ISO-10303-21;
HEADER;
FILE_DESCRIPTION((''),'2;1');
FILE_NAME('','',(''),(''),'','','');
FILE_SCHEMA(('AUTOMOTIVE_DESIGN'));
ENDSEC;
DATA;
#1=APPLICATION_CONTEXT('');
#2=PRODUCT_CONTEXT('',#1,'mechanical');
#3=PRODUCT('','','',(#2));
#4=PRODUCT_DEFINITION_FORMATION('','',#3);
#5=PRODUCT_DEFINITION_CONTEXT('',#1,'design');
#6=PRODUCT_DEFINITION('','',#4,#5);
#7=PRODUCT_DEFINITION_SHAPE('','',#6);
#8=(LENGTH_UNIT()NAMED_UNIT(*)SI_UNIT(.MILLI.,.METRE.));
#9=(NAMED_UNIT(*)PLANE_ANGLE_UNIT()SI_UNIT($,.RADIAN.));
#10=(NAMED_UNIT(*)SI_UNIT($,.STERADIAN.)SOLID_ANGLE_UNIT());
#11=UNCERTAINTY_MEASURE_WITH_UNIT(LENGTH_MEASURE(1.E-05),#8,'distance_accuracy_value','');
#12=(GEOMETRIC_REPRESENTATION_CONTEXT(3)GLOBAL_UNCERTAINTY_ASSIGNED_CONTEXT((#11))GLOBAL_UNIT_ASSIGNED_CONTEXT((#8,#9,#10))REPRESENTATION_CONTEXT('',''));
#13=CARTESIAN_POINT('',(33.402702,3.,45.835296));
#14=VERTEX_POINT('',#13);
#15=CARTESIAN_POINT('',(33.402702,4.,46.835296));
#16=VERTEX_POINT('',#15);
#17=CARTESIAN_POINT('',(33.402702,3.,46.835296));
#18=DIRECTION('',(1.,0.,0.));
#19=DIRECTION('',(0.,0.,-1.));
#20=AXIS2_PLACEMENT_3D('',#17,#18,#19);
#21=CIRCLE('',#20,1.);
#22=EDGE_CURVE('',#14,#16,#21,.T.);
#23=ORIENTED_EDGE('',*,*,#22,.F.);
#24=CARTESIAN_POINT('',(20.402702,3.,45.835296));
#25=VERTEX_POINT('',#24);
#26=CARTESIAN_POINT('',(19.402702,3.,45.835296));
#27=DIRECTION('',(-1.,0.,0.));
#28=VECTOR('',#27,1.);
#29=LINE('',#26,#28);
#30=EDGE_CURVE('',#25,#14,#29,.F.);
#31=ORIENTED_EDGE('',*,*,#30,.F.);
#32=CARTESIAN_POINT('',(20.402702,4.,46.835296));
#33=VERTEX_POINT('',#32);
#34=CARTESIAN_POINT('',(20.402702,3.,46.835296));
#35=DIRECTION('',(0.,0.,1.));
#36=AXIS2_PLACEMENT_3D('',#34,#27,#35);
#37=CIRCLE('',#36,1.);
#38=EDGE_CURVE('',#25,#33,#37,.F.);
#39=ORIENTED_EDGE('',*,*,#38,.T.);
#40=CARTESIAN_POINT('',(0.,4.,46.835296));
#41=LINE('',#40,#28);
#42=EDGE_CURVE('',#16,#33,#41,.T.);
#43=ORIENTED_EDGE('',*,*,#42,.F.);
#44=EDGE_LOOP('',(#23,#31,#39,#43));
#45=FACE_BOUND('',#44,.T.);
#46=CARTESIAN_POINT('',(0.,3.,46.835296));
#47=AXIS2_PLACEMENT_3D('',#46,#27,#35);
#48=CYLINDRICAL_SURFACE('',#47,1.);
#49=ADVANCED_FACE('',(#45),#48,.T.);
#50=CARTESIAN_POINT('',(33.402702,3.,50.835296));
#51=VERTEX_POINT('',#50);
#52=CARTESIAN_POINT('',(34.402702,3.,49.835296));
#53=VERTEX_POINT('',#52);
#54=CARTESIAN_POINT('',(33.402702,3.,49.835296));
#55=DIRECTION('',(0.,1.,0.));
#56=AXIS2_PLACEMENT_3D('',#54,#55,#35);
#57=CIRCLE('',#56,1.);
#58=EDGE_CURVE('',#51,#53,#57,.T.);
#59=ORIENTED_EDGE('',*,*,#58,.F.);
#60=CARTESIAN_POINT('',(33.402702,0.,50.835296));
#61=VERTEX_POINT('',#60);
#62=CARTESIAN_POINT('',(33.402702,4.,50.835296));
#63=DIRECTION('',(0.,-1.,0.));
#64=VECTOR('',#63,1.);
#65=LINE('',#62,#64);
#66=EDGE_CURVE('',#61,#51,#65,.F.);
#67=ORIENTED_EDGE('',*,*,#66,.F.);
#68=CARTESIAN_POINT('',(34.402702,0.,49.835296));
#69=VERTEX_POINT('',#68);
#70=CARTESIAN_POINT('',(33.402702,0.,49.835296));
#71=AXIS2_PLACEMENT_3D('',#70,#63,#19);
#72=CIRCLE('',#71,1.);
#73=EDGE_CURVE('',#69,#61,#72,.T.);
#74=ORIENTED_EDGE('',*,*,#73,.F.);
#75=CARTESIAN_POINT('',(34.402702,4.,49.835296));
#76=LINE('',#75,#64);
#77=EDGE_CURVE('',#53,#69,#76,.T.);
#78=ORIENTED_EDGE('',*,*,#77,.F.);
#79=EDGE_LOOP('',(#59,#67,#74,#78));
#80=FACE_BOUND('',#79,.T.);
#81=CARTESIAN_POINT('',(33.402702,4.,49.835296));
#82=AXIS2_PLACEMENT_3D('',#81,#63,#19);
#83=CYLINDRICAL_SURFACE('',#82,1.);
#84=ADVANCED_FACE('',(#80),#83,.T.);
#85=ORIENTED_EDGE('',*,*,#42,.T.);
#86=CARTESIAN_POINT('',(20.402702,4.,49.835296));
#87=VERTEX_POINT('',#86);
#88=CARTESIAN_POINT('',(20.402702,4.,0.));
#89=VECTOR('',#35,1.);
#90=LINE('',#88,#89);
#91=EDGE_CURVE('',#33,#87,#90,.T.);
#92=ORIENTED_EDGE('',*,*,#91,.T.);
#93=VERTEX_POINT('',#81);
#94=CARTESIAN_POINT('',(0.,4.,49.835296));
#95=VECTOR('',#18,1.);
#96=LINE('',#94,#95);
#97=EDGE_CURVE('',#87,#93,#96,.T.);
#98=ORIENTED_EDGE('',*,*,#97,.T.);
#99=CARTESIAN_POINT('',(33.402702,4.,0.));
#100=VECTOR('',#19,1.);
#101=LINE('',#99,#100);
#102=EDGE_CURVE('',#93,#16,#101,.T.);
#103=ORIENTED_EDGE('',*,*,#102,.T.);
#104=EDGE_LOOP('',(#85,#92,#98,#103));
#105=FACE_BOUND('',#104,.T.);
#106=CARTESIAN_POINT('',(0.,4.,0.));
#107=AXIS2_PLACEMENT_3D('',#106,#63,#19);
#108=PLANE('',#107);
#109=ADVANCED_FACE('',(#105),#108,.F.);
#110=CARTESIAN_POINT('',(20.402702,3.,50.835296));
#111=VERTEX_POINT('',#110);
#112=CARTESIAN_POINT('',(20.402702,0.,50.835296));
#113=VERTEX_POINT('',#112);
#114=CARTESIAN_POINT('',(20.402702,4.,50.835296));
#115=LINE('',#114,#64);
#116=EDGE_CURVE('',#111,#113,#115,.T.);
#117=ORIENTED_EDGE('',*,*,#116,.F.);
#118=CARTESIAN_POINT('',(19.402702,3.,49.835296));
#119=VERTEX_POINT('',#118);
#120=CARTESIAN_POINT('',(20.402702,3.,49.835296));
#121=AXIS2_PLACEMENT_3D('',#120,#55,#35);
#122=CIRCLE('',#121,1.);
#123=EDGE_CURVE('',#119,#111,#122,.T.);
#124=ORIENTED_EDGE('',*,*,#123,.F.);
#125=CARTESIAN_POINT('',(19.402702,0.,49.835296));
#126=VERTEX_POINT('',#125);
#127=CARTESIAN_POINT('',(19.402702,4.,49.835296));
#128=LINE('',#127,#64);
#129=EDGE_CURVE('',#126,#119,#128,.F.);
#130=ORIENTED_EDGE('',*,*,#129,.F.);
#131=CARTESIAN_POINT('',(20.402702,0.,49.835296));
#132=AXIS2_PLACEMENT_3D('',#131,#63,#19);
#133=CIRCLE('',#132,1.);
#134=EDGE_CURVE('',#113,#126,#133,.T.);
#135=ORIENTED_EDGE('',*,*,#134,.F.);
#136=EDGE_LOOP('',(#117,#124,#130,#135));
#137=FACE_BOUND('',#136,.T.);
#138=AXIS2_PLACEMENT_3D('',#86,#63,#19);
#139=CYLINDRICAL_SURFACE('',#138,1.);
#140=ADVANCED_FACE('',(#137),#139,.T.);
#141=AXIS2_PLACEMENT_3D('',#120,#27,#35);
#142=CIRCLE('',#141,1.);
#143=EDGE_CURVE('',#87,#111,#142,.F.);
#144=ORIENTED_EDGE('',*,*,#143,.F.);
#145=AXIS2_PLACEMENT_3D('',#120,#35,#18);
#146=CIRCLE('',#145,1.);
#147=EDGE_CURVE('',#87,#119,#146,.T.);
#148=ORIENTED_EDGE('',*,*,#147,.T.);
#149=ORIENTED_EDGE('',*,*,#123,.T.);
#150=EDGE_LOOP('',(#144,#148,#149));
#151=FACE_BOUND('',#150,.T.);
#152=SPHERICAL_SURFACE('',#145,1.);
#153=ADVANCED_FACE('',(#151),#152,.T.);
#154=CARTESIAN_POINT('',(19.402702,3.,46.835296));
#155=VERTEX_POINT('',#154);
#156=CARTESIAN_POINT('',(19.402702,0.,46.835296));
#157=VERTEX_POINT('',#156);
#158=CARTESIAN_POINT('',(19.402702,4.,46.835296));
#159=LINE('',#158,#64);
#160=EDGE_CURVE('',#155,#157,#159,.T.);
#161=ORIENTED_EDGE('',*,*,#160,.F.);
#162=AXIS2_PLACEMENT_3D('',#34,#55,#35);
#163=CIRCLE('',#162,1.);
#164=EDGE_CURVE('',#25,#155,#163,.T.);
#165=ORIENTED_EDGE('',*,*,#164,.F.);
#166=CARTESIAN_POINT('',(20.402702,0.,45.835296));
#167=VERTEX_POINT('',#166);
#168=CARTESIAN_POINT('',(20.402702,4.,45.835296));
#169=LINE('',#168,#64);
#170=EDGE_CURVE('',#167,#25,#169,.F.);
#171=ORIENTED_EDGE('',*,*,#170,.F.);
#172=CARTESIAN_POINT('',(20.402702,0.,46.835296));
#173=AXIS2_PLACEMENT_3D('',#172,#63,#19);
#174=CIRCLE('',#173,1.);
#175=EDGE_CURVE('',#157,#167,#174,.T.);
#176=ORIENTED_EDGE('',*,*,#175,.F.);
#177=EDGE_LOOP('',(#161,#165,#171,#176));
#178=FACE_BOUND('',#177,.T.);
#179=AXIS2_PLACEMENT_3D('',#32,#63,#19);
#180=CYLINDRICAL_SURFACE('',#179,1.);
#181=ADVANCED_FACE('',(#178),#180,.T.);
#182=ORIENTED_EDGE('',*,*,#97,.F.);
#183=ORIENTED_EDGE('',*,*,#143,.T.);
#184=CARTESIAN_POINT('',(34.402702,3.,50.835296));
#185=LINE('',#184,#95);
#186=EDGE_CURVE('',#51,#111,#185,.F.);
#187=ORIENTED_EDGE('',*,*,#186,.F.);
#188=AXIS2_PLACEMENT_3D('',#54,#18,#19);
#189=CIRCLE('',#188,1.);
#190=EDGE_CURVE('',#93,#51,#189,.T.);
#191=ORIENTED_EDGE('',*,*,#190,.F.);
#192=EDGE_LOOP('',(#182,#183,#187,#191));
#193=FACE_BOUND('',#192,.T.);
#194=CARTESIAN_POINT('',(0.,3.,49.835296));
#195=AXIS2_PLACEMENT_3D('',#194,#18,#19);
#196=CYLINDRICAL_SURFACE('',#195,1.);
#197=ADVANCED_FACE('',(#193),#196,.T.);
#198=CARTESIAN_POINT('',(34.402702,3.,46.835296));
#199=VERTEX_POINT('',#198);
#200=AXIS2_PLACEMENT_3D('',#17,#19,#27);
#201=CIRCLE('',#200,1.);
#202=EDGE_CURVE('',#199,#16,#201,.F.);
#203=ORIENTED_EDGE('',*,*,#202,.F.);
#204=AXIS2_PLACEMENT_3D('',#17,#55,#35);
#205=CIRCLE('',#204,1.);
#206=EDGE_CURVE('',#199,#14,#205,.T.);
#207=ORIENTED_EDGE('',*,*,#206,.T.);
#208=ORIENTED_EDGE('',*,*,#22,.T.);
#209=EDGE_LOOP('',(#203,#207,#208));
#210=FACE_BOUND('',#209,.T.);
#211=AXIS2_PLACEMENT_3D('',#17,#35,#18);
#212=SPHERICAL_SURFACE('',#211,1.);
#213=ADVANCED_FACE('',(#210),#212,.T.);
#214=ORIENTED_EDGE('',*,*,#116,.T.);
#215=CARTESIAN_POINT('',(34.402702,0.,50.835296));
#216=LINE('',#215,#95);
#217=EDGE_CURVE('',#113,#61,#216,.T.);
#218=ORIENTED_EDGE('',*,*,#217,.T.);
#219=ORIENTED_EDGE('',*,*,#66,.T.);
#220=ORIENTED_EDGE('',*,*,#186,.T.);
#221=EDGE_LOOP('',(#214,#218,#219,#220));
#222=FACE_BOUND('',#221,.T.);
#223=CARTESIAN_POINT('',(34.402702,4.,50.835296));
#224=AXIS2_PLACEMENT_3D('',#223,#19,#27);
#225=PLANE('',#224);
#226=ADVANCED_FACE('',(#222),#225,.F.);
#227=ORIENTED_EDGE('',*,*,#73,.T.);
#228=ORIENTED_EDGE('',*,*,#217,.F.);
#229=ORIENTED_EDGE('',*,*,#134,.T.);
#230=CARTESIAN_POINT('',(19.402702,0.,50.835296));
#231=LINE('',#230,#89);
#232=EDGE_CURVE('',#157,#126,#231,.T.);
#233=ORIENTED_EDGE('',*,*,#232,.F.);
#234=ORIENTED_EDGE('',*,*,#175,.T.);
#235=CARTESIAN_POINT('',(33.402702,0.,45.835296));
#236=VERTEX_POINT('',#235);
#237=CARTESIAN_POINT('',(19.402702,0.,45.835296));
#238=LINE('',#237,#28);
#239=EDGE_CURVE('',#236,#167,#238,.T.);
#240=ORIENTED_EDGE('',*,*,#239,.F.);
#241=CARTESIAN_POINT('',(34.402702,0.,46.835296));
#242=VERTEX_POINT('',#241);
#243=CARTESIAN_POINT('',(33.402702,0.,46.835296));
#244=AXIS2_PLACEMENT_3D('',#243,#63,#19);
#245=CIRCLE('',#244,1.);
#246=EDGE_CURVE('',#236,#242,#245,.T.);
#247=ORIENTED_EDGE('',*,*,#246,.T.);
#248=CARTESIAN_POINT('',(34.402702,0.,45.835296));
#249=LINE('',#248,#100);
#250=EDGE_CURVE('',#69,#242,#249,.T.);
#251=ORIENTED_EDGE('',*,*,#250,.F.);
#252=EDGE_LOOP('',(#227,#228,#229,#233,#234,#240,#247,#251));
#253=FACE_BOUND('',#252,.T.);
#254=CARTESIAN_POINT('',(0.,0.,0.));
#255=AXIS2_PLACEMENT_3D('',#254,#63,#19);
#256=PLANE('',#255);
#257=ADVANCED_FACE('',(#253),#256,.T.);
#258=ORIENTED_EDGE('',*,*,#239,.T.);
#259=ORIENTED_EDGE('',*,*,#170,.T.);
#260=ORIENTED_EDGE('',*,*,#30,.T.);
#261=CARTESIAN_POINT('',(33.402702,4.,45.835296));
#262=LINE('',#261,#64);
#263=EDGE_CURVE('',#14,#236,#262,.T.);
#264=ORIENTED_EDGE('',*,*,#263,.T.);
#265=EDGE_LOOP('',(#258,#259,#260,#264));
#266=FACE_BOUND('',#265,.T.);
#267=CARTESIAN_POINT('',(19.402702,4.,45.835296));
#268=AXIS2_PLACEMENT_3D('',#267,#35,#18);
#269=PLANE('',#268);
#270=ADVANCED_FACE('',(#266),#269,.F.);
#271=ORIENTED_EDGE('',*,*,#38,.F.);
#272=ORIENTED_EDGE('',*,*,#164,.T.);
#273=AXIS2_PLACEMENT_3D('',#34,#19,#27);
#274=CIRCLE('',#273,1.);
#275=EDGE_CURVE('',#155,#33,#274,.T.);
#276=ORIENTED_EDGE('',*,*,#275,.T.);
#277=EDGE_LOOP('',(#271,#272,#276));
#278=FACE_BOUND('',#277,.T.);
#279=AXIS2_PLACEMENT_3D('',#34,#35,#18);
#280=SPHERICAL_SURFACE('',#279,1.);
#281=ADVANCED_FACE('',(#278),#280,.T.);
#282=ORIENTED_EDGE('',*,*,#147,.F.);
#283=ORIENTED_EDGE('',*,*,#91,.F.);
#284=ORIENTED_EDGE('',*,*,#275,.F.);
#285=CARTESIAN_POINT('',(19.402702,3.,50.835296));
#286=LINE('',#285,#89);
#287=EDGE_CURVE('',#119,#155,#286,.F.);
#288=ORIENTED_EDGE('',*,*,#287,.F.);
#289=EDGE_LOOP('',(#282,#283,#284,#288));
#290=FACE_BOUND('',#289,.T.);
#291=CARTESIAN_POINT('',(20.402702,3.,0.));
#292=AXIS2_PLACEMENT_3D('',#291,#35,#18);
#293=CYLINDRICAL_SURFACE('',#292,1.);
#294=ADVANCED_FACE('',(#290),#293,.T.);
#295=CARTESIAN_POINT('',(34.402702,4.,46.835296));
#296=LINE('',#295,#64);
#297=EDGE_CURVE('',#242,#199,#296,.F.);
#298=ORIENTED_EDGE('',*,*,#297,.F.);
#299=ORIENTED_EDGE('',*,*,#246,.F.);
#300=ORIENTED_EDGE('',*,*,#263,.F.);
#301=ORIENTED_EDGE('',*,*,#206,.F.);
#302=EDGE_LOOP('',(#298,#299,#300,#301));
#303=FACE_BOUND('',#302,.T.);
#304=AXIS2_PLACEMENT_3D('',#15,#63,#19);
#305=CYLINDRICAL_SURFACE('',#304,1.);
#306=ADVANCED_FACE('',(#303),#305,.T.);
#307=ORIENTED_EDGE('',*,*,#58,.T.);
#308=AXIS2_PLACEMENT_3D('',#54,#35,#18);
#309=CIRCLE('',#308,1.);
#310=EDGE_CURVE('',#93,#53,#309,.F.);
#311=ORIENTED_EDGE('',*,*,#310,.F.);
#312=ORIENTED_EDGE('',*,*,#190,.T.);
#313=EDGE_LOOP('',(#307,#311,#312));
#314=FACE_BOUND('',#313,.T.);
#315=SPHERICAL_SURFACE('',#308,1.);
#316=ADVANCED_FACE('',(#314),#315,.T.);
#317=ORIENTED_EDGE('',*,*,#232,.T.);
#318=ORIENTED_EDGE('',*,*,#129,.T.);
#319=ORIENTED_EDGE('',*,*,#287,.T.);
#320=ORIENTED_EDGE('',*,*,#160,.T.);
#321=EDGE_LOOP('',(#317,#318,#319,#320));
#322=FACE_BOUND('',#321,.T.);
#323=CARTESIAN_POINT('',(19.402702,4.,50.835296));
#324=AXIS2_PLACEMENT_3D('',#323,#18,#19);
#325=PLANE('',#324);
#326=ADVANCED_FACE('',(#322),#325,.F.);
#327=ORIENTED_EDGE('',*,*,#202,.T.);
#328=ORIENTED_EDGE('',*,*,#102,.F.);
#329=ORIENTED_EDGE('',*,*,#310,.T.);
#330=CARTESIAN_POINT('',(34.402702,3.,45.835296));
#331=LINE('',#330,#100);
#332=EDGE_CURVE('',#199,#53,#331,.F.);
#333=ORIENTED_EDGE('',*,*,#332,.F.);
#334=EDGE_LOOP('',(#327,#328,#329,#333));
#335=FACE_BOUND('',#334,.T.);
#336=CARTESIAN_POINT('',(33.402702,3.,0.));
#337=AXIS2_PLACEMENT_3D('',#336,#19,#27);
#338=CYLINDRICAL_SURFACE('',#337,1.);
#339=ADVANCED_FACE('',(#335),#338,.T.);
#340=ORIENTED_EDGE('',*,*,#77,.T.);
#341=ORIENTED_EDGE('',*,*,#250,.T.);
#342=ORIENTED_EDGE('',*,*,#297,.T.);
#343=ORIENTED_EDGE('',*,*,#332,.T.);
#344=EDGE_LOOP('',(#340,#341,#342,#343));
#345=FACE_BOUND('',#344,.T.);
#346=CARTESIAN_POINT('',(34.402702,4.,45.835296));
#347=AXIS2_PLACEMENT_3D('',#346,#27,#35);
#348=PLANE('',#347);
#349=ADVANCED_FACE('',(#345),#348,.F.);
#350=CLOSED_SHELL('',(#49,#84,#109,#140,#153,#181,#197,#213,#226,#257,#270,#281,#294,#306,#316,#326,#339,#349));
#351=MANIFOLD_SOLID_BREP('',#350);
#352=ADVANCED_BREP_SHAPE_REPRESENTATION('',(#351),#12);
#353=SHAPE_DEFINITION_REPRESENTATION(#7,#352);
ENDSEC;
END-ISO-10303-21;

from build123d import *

# Parameters (mm, degrees)
SKETCH2_W           = 15
SKETCH2_H           = 5
BOSS_EXTRUDE1_DEPTH = 4
FILLET1_R           = 1


with BuildPart() as part:
    # Sketch2 → Boss-Extrude1 (new body)
    with BuildSketch(Plane(origin=(0, 0, 0), x_dir=(1, 0, 0), z_dir=(0, 1, 0))):
        with Locations((26.902702014, -48.335295526)):
            Rectangle(SKETCH2_W, SKETCH2_H)
    extrude(amount=BOSS_EXTRUDE1_DEPTH)

    # Fillet1
    fillet1_edges = [part.edges().sort_by_distance(p)[0] for p in [
        (34.402702014, 4, 48.335295526),
        (26.902702014, 4, 45.835295526),
        (19.402702014, 4, 48.335295526),
        (19.402702014, 2, 45.835295526),
        (34.402702014, 2, 45.835295526),
        (34.402702014, 2, 50.835295526),
        (19.402702014, 2, 50.835295526),
        (26.902702014, 4, 50.835295526),
    ]]
    fillet(fillet1_edges, radius=FILLET1_R)


solid = part.part
